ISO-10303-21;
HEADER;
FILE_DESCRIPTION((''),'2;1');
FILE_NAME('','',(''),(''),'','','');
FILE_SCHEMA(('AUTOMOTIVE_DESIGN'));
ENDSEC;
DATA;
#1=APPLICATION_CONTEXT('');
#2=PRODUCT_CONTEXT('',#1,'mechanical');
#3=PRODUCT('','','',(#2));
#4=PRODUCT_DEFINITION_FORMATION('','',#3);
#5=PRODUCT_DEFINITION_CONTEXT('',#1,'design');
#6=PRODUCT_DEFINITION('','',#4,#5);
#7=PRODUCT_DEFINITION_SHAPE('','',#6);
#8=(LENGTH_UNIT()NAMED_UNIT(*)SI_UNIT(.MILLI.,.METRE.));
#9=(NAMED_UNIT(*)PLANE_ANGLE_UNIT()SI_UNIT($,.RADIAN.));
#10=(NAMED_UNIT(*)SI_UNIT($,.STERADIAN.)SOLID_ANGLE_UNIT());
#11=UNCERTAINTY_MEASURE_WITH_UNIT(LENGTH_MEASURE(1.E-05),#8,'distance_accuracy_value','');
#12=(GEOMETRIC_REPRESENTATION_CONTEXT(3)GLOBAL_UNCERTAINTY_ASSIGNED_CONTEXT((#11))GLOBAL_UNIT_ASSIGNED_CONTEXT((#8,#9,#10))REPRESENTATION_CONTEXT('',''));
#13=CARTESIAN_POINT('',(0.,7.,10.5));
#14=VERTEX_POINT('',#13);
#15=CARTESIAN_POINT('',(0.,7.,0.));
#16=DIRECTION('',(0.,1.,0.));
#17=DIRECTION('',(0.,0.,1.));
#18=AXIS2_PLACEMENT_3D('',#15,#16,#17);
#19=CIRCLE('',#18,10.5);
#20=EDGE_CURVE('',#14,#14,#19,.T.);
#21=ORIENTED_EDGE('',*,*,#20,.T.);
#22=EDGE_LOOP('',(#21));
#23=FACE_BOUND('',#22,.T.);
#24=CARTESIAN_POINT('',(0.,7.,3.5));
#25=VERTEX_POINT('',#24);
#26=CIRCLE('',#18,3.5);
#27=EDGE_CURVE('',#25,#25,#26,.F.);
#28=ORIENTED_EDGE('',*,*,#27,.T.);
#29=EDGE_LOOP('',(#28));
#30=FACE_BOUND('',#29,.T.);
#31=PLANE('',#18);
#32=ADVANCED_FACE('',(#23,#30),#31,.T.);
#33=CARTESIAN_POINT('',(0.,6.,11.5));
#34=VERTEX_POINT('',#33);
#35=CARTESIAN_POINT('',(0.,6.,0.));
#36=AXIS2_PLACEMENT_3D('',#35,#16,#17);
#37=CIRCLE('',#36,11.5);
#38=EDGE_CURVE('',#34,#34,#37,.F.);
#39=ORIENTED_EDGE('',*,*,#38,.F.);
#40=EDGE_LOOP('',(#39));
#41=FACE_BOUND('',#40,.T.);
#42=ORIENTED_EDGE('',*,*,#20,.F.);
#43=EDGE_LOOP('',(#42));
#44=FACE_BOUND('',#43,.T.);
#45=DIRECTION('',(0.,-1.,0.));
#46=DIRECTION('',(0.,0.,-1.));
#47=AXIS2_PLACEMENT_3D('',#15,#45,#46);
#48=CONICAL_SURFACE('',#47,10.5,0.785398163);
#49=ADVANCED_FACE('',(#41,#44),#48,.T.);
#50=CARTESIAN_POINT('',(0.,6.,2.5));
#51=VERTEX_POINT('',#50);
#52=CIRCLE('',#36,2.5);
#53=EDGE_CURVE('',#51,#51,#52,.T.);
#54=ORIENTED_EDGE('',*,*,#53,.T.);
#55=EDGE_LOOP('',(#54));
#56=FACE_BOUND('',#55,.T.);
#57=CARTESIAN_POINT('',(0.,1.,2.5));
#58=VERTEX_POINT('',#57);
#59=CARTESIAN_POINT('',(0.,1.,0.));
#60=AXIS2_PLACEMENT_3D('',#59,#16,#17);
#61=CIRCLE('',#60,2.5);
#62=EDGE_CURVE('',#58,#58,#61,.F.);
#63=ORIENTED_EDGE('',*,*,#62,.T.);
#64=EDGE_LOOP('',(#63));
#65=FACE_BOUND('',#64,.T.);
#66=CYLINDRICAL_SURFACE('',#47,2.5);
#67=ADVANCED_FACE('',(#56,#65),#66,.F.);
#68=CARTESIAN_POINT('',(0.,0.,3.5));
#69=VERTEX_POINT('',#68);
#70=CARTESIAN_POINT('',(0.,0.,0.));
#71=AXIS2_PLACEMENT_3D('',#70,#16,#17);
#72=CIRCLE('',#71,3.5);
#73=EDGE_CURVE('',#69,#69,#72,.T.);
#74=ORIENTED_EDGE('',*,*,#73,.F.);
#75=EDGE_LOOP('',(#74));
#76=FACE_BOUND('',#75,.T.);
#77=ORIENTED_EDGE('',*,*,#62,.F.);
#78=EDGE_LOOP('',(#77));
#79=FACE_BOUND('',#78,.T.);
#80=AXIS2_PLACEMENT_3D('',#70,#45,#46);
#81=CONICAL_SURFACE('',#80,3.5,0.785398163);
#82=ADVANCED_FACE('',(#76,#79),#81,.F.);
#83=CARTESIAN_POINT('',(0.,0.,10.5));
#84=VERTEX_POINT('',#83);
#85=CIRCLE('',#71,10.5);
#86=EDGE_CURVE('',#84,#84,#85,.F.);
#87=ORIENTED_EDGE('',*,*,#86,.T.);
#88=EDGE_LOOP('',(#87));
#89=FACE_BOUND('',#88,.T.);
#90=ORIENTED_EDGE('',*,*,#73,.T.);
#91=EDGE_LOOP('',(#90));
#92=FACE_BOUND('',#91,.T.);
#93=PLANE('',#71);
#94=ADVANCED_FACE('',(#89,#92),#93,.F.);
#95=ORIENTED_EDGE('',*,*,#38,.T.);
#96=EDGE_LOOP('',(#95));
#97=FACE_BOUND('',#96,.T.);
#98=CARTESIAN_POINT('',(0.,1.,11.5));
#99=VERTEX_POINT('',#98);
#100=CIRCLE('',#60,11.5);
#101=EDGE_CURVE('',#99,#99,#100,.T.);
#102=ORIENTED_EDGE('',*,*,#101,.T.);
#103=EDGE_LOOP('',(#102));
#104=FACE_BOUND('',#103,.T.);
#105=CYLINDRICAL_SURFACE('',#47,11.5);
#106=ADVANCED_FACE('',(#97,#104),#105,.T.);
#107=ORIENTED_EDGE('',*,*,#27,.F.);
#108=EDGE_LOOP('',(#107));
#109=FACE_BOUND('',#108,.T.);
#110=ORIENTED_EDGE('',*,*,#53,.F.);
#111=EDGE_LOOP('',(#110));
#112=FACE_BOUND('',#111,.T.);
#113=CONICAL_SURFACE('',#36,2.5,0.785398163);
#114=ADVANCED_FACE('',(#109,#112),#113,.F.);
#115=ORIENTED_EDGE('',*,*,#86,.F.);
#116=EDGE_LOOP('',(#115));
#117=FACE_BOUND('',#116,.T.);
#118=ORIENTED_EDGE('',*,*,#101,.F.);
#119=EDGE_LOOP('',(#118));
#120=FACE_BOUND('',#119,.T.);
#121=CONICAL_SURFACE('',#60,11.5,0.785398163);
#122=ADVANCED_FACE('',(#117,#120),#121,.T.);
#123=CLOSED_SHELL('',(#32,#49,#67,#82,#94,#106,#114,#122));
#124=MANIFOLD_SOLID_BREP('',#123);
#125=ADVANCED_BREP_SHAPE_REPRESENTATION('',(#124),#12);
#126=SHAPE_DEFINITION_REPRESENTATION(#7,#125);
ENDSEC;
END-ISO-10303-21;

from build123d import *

# Parameters (mm, degrees)
SKETCH1_R           = 11.5
SKETCH1_R_2         = 2.5
BOSS_EXTRUDE1_DEPTH = 7
CHAMFER1_SIZE       = 1


with BuildPart() as part:
    # Sketch1 → Boss-Extrude1 (new body)
    with BuildSketch(Plane(origin=(0, 0, 0), x_dir=(1, 0, 0), z_dir=(0, 1, 0))):
        with Locations(Location((0, 0, 0), (0, 0, 270))):
            Circle(SKETCH1_R)
        with Locations(Location((0, 0, 0), (0, 0, 270))):
            Circle(SKETCH1_R_2, mode=Mode.SUBTRACT)
    extrude(amount=BOSS_EXTRUDE1_DEPTH)

    # Chamfer1
    chamfer1_edges = [part.edges().sort_by_distance(p)[0] for p in [
        (0, 0, -11.5),
        (0, 7, -11.5),
        (0, 0, -2.5),
        (0, 7, -2.5),
    ]]
    chamfer(chamfer1_edges, length=CHAMFER1_SIZE)


solid = part.part
